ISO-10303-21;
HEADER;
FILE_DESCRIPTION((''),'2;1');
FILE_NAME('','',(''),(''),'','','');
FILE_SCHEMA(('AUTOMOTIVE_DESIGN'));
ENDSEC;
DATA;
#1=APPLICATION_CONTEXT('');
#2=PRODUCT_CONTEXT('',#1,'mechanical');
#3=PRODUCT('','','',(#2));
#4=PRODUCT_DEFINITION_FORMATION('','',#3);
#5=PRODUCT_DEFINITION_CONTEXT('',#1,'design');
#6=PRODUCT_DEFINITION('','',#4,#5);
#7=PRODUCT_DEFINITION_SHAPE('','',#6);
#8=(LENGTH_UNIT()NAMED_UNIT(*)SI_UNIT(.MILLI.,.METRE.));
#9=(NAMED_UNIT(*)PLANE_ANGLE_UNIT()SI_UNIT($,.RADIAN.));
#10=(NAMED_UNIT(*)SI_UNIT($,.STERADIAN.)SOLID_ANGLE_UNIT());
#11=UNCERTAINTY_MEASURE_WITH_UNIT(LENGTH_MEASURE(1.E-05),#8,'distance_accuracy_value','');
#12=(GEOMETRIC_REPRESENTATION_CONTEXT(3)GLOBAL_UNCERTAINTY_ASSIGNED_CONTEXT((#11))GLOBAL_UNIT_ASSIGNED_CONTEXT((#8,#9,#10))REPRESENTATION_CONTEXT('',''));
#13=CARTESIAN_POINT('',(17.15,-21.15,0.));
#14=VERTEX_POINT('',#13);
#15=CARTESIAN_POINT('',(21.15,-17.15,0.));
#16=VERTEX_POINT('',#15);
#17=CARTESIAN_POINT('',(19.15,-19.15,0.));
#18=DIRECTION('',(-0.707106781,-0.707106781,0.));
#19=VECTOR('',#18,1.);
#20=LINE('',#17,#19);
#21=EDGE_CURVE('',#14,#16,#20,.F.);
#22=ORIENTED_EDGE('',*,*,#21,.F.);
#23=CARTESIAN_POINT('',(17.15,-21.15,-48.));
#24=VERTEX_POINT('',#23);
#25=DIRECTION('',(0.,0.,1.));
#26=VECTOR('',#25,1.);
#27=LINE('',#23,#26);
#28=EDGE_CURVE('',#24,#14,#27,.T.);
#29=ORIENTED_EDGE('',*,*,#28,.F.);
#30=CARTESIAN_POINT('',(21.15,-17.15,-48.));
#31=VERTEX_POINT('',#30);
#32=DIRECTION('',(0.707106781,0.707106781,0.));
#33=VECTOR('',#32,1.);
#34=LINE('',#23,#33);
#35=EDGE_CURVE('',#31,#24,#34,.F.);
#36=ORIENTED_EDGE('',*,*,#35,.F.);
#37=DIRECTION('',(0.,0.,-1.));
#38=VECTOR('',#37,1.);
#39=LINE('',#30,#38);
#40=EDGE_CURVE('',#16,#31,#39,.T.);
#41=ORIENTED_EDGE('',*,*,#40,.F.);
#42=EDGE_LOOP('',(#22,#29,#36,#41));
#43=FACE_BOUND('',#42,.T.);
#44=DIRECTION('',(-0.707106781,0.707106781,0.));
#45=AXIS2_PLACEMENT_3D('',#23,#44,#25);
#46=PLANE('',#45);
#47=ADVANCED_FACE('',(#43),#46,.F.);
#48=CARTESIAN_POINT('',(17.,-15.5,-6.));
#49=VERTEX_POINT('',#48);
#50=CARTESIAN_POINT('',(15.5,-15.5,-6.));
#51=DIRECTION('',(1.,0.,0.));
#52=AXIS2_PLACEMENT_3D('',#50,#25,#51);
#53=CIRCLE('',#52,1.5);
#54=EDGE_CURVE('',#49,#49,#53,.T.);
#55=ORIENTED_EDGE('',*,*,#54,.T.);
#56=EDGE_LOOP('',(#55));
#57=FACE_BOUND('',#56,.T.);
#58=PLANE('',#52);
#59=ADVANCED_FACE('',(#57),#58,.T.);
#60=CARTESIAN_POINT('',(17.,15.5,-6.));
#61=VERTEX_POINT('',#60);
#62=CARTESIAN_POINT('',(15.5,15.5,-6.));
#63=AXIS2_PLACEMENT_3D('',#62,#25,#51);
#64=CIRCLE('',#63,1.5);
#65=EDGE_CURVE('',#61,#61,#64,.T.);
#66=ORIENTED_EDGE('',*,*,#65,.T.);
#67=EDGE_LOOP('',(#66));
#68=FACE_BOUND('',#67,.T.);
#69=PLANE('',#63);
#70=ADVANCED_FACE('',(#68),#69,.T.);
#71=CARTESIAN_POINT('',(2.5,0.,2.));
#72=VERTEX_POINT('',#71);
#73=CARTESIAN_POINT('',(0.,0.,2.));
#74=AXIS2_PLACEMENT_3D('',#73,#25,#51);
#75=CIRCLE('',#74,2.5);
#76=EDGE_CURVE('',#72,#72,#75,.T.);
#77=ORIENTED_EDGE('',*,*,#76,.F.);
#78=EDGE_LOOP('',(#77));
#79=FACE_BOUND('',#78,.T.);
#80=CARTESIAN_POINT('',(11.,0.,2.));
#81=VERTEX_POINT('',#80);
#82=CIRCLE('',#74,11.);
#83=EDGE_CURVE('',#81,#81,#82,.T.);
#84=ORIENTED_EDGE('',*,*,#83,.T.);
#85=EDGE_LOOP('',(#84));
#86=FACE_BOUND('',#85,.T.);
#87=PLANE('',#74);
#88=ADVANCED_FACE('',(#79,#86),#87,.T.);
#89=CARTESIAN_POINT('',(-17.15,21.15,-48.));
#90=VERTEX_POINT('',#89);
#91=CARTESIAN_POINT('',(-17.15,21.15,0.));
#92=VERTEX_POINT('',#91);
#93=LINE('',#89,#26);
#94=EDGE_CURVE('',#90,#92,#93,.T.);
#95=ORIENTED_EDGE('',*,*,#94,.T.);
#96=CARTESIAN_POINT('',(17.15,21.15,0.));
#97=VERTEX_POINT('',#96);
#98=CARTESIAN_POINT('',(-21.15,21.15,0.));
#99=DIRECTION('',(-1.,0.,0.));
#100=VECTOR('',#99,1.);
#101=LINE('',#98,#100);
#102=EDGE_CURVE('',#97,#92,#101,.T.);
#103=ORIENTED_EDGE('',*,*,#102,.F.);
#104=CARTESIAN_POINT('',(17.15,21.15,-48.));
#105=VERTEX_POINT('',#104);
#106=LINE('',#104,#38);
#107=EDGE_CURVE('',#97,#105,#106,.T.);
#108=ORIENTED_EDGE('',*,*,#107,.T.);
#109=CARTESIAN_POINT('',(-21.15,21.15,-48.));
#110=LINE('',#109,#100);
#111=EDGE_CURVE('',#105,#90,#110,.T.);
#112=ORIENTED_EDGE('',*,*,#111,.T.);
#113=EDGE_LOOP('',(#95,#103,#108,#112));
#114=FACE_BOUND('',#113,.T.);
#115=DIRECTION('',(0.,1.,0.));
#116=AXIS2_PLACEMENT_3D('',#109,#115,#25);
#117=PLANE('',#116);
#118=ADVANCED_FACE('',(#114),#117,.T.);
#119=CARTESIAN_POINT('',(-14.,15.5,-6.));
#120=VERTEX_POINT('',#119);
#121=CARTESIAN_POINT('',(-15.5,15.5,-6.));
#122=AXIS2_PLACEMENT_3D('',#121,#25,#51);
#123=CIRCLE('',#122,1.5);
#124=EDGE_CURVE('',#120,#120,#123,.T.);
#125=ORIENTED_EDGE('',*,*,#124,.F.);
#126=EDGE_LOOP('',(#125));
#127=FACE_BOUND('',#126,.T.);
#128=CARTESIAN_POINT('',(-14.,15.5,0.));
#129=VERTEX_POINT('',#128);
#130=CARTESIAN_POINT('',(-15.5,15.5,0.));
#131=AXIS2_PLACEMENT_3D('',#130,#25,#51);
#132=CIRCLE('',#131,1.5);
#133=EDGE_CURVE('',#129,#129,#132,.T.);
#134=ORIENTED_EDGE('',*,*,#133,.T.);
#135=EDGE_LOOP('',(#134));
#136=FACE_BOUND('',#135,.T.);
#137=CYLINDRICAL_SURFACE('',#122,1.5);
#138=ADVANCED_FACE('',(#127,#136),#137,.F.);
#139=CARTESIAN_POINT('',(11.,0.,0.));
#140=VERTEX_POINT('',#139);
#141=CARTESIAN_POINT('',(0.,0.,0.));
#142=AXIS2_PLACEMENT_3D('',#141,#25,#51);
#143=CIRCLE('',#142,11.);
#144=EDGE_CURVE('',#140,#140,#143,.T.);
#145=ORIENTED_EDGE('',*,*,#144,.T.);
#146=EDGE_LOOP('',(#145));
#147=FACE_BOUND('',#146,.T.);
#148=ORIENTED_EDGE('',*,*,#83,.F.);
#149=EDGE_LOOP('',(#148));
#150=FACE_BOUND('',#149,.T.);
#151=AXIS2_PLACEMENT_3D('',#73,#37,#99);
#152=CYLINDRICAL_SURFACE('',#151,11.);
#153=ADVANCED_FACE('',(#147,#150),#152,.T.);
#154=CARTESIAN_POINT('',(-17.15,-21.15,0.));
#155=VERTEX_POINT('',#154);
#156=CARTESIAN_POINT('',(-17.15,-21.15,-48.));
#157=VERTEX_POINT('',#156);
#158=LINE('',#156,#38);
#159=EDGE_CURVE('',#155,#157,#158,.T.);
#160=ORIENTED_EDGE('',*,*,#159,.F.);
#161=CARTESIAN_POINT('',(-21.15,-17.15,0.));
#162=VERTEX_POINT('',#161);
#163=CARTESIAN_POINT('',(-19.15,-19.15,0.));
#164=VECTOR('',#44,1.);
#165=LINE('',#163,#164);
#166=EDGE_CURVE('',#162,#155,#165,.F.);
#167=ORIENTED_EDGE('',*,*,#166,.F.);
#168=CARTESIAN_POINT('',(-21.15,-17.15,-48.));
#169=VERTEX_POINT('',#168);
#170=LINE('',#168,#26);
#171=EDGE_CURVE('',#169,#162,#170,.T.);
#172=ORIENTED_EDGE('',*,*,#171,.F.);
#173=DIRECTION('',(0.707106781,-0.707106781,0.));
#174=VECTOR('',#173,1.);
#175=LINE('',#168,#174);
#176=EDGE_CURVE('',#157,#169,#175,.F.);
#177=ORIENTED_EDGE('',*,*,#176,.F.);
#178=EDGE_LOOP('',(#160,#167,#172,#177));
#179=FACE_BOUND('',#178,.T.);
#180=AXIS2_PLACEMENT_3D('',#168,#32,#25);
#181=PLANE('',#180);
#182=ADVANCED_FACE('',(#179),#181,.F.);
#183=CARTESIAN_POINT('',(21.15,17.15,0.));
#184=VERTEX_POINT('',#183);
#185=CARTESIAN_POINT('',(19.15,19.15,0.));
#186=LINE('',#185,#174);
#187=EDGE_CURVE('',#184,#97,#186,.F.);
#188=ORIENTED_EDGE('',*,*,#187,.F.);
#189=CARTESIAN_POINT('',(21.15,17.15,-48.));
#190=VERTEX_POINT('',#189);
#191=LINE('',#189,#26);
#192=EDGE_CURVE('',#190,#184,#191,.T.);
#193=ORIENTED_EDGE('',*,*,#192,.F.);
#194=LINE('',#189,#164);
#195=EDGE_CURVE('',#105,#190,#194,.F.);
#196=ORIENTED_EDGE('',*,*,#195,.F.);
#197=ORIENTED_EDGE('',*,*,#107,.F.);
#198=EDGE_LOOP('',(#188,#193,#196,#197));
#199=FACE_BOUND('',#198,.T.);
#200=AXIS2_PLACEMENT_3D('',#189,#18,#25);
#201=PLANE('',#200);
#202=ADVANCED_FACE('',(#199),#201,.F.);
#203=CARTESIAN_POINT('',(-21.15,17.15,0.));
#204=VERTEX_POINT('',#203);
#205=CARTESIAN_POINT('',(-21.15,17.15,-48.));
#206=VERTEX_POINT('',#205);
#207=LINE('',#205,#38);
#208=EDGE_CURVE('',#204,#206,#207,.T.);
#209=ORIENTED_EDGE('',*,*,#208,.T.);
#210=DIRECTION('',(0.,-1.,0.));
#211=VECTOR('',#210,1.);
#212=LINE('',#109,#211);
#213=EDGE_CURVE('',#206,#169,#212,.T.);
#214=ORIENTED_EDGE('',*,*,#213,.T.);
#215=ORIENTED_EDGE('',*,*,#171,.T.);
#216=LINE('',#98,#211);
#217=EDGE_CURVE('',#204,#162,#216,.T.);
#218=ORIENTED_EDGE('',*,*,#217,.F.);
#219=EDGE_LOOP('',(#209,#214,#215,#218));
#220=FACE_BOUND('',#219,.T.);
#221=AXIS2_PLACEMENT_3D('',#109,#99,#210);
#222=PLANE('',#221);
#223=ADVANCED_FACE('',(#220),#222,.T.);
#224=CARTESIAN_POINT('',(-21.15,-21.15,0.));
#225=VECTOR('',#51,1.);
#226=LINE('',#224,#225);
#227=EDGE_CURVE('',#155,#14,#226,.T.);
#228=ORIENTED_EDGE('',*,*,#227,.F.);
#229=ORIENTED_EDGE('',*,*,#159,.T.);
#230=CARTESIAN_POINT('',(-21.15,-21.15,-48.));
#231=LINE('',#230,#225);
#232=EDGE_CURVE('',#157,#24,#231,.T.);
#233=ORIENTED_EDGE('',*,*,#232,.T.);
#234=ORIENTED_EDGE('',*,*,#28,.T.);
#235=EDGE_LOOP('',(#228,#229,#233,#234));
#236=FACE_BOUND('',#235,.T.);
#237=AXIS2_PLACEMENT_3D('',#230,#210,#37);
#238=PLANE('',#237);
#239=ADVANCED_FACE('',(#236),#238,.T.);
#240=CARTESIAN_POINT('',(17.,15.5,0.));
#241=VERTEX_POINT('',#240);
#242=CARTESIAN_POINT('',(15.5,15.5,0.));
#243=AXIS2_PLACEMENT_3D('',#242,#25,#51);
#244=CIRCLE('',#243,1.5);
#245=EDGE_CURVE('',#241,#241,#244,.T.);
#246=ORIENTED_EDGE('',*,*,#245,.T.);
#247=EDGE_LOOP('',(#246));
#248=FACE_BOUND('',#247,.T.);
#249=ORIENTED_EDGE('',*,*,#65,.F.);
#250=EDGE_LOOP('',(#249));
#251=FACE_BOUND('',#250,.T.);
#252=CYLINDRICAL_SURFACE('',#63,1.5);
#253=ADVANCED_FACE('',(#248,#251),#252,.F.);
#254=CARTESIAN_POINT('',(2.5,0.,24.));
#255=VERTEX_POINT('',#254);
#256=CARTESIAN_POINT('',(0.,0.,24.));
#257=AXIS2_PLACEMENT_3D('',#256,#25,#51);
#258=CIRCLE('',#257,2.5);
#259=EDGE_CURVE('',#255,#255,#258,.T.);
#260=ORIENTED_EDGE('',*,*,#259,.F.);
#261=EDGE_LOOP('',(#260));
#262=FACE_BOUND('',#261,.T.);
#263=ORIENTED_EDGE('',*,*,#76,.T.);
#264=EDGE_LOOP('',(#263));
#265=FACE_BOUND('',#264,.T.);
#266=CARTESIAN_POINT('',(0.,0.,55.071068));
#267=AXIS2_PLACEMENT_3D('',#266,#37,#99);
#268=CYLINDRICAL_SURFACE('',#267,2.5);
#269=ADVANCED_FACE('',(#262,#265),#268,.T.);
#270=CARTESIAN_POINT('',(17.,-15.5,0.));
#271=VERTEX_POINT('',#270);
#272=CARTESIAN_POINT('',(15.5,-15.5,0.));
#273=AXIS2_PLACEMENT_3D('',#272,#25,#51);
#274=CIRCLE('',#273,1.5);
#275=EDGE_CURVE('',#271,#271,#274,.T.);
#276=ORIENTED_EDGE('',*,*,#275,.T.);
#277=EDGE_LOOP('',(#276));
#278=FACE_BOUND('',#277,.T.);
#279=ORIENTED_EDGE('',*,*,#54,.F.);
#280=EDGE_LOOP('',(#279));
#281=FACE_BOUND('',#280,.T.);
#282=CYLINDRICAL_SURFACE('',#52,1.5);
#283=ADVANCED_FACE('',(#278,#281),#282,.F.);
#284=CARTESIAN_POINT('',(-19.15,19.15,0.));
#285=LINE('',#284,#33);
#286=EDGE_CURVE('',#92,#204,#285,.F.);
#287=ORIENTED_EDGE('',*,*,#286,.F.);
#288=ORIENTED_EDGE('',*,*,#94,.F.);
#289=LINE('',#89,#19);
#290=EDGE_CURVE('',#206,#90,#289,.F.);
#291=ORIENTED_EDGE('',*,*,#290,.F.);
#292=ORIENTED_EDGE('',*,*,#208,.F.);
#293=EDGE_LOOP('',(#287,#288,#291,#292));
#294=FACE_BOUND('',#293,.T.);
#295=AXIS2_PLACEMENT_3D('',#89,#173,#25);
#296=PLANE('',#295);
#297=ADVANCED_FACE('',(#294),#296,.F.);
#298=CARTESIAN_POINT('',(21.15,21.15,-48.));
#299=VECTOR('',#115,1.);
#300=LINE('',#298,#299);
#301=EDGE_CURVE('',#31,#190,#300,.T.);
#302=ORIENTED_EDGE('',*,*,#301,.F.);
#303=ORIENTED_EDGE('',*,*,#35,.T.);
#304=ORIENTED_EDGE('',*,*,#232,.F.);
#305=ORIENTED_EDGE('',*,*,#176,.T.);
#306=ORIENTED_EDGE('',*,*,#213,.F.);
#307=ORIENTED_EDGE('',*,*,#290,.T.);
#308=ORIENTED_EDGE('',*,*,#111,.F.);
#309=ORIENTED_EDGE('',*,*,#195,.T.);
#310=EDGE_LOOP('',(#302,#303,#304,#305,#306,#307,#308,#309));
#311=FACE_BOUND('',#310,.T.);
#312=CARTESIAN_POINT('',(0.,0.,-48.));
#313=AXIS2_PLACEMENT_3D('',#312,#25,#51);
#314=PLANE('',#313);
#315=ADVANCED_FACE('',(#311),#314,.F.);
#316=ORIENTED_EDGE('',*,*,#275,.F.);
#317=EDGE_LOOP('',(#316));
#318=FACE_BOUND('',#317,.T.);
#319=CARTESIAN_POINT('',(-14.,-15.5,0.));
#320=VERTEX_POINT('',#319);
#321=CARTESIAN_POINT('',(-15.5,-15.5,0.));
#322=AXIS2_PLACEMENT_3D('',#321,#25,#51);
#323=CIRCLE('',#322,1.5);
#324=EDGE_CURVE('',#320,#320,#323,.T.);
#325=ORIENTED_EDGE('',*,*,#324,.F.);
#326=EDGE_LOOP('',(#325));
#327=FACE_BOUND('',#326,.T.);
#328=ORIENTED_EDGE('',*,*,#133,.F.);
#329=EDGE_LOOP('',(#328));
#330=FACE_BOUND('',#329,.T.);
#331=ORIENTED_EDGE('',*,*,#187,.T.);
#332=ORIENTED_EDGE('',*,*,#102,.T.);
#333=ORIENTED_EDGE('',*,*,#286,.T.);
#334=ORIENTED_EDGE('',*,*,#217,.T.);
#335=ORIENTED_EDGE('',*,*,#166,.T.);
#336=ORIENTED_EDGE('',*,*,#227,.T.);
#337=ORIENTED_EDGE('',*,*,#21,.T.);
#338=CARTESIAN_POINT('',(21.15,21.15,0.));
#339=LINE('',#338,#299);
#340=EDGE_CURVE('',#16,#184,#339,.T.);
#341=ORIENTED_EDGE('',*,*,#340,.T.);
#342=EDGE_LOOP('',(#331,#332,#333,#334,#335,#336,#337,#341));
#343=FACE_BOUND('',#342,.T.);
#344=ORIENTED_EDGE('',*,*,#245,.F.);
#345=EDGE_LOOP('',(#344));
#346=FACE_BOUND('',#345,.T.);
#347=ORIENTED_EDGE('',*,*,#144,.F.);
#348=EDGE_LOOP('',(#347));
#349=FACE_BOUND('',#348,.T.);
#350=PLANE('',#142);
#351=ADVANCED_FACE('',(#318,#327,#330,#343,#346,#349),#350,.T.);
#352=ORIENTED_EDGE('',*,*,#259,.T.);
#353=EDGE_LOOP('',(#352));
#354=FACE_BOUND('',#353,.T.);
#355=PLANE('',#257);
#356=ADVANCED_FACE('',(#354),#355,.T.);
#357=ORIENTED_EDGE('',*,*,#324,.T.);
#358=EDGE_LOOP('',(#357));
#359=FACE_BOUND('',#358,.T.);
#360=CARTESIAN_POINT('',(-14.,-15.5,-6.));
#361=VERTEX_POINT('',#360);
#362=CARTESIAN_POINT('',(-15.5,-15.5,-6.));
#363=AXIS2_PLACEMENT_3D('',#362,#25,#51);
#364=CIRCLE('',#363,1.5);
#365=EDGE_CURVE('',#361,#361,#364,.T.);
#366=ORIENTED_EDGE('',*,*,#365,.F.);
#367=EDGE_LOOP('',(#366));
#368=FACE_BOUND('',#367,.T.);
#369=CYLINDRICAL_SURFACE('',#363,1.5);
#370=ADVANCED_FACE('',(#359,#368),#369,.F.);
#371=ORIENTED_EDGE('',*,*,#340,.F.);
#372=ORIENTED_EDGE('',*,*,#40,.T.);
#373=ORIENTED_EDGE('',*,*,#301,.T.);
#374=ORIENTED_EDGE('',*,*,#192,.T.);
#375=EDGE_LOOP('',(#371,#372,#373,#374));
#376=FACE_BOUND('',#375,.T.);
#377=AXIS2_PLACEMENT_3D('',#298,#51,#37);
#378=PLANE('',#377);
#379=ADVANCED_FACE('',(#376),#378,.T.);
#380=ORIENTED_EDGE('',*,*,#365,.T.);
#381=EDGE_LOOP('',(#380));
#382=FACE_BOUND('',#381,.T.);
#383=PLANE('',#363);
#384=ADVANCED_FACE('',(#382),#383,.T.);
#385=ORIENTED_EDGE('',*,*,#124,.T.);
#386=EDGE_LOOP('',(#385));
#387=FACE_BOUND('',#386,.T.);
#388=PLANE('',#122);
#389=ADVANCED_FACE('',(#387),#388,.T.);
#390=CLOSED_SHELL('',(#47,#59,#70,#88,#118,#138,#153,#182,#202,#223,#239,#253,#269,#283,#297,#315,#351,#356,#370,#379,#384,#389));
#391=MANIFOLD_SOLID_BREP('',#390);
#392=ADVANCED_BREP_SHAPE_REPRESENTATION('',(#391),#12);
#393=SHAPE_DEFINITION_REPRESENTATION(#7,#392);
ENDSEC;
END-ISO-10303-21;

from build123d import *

# Parameters (mm, degrees)
SKETCH1_W           = 42.3
SKETCH1_H           = 42.3
BOSS_EXTRUDE1_DEPTH = 48
SKETCH2_R           = 1.5
CUT_EXTRUDE1_DEPTH  = 6
SKETCH3_R           = 11
BOSS_EXTRUDE2_DEPTH = 2
SKETCH4_R           = 2.5
BOSS_EXTRUDE3_DEPTH = 22
CHAMFER1_SIZE       = 4


with BuildPart() as part:
    # Sketch1 → Boss-Extrude1 (new body)
    with BuildSketch(Plane.XY):
        Rectangle(SKETCH1_W, SKETCH1_H)
    extrude(amount=-BOSS_EXTRUDE1_DEPTH)

    # Sketch2 → Cut-Extrude1 (cut)
    with BuildSketch(Plane.XY):
        with Locations((-15.5, 15.5)):
            Circle(SKETCH2_R)
        with Locations((15.5, 15.5)):
            Circle(SKETCH2_R)
        with Locations((15.5, -15.5)):
            Circle(SKETCH2_R)
        with Locations((-15.5, -15.5)):
            Circle(SKETCH2_R)
    extrude(amount=-CUT_EXTRUDE1_DEPTH, mode=Mode.SUBTRACT)

    # Sketch3 → Boss-Extrude2 (add)
    with BuildSketch(Plane.XY):
        Circle(SKETCH3_R)
    extrude(amount=BOSS_EXTRUDE2_DEPTH)

    # Sketch4 → Boss-Extrude3 (add)
    with BuildSketch(Plane.XY.offset(2)):
        Circle(SKETCH4_R)
    extrude(amount=BOSS_EXTRUDE3_DEPTH)

    # Chamfer1
    chamfer1_edges = [part.edges().sort_by_distance(p)[0] for p in [
        (21.15, -21.15, -24),
        (-21.15, -21.15, -24),
        (-21.15, 21.15, -24),
        (21.15, 21.15, -24),
    ]]
    chamfer(chamfer1_edges, length=CHAMFER1_SIZE)


solid = part.part
